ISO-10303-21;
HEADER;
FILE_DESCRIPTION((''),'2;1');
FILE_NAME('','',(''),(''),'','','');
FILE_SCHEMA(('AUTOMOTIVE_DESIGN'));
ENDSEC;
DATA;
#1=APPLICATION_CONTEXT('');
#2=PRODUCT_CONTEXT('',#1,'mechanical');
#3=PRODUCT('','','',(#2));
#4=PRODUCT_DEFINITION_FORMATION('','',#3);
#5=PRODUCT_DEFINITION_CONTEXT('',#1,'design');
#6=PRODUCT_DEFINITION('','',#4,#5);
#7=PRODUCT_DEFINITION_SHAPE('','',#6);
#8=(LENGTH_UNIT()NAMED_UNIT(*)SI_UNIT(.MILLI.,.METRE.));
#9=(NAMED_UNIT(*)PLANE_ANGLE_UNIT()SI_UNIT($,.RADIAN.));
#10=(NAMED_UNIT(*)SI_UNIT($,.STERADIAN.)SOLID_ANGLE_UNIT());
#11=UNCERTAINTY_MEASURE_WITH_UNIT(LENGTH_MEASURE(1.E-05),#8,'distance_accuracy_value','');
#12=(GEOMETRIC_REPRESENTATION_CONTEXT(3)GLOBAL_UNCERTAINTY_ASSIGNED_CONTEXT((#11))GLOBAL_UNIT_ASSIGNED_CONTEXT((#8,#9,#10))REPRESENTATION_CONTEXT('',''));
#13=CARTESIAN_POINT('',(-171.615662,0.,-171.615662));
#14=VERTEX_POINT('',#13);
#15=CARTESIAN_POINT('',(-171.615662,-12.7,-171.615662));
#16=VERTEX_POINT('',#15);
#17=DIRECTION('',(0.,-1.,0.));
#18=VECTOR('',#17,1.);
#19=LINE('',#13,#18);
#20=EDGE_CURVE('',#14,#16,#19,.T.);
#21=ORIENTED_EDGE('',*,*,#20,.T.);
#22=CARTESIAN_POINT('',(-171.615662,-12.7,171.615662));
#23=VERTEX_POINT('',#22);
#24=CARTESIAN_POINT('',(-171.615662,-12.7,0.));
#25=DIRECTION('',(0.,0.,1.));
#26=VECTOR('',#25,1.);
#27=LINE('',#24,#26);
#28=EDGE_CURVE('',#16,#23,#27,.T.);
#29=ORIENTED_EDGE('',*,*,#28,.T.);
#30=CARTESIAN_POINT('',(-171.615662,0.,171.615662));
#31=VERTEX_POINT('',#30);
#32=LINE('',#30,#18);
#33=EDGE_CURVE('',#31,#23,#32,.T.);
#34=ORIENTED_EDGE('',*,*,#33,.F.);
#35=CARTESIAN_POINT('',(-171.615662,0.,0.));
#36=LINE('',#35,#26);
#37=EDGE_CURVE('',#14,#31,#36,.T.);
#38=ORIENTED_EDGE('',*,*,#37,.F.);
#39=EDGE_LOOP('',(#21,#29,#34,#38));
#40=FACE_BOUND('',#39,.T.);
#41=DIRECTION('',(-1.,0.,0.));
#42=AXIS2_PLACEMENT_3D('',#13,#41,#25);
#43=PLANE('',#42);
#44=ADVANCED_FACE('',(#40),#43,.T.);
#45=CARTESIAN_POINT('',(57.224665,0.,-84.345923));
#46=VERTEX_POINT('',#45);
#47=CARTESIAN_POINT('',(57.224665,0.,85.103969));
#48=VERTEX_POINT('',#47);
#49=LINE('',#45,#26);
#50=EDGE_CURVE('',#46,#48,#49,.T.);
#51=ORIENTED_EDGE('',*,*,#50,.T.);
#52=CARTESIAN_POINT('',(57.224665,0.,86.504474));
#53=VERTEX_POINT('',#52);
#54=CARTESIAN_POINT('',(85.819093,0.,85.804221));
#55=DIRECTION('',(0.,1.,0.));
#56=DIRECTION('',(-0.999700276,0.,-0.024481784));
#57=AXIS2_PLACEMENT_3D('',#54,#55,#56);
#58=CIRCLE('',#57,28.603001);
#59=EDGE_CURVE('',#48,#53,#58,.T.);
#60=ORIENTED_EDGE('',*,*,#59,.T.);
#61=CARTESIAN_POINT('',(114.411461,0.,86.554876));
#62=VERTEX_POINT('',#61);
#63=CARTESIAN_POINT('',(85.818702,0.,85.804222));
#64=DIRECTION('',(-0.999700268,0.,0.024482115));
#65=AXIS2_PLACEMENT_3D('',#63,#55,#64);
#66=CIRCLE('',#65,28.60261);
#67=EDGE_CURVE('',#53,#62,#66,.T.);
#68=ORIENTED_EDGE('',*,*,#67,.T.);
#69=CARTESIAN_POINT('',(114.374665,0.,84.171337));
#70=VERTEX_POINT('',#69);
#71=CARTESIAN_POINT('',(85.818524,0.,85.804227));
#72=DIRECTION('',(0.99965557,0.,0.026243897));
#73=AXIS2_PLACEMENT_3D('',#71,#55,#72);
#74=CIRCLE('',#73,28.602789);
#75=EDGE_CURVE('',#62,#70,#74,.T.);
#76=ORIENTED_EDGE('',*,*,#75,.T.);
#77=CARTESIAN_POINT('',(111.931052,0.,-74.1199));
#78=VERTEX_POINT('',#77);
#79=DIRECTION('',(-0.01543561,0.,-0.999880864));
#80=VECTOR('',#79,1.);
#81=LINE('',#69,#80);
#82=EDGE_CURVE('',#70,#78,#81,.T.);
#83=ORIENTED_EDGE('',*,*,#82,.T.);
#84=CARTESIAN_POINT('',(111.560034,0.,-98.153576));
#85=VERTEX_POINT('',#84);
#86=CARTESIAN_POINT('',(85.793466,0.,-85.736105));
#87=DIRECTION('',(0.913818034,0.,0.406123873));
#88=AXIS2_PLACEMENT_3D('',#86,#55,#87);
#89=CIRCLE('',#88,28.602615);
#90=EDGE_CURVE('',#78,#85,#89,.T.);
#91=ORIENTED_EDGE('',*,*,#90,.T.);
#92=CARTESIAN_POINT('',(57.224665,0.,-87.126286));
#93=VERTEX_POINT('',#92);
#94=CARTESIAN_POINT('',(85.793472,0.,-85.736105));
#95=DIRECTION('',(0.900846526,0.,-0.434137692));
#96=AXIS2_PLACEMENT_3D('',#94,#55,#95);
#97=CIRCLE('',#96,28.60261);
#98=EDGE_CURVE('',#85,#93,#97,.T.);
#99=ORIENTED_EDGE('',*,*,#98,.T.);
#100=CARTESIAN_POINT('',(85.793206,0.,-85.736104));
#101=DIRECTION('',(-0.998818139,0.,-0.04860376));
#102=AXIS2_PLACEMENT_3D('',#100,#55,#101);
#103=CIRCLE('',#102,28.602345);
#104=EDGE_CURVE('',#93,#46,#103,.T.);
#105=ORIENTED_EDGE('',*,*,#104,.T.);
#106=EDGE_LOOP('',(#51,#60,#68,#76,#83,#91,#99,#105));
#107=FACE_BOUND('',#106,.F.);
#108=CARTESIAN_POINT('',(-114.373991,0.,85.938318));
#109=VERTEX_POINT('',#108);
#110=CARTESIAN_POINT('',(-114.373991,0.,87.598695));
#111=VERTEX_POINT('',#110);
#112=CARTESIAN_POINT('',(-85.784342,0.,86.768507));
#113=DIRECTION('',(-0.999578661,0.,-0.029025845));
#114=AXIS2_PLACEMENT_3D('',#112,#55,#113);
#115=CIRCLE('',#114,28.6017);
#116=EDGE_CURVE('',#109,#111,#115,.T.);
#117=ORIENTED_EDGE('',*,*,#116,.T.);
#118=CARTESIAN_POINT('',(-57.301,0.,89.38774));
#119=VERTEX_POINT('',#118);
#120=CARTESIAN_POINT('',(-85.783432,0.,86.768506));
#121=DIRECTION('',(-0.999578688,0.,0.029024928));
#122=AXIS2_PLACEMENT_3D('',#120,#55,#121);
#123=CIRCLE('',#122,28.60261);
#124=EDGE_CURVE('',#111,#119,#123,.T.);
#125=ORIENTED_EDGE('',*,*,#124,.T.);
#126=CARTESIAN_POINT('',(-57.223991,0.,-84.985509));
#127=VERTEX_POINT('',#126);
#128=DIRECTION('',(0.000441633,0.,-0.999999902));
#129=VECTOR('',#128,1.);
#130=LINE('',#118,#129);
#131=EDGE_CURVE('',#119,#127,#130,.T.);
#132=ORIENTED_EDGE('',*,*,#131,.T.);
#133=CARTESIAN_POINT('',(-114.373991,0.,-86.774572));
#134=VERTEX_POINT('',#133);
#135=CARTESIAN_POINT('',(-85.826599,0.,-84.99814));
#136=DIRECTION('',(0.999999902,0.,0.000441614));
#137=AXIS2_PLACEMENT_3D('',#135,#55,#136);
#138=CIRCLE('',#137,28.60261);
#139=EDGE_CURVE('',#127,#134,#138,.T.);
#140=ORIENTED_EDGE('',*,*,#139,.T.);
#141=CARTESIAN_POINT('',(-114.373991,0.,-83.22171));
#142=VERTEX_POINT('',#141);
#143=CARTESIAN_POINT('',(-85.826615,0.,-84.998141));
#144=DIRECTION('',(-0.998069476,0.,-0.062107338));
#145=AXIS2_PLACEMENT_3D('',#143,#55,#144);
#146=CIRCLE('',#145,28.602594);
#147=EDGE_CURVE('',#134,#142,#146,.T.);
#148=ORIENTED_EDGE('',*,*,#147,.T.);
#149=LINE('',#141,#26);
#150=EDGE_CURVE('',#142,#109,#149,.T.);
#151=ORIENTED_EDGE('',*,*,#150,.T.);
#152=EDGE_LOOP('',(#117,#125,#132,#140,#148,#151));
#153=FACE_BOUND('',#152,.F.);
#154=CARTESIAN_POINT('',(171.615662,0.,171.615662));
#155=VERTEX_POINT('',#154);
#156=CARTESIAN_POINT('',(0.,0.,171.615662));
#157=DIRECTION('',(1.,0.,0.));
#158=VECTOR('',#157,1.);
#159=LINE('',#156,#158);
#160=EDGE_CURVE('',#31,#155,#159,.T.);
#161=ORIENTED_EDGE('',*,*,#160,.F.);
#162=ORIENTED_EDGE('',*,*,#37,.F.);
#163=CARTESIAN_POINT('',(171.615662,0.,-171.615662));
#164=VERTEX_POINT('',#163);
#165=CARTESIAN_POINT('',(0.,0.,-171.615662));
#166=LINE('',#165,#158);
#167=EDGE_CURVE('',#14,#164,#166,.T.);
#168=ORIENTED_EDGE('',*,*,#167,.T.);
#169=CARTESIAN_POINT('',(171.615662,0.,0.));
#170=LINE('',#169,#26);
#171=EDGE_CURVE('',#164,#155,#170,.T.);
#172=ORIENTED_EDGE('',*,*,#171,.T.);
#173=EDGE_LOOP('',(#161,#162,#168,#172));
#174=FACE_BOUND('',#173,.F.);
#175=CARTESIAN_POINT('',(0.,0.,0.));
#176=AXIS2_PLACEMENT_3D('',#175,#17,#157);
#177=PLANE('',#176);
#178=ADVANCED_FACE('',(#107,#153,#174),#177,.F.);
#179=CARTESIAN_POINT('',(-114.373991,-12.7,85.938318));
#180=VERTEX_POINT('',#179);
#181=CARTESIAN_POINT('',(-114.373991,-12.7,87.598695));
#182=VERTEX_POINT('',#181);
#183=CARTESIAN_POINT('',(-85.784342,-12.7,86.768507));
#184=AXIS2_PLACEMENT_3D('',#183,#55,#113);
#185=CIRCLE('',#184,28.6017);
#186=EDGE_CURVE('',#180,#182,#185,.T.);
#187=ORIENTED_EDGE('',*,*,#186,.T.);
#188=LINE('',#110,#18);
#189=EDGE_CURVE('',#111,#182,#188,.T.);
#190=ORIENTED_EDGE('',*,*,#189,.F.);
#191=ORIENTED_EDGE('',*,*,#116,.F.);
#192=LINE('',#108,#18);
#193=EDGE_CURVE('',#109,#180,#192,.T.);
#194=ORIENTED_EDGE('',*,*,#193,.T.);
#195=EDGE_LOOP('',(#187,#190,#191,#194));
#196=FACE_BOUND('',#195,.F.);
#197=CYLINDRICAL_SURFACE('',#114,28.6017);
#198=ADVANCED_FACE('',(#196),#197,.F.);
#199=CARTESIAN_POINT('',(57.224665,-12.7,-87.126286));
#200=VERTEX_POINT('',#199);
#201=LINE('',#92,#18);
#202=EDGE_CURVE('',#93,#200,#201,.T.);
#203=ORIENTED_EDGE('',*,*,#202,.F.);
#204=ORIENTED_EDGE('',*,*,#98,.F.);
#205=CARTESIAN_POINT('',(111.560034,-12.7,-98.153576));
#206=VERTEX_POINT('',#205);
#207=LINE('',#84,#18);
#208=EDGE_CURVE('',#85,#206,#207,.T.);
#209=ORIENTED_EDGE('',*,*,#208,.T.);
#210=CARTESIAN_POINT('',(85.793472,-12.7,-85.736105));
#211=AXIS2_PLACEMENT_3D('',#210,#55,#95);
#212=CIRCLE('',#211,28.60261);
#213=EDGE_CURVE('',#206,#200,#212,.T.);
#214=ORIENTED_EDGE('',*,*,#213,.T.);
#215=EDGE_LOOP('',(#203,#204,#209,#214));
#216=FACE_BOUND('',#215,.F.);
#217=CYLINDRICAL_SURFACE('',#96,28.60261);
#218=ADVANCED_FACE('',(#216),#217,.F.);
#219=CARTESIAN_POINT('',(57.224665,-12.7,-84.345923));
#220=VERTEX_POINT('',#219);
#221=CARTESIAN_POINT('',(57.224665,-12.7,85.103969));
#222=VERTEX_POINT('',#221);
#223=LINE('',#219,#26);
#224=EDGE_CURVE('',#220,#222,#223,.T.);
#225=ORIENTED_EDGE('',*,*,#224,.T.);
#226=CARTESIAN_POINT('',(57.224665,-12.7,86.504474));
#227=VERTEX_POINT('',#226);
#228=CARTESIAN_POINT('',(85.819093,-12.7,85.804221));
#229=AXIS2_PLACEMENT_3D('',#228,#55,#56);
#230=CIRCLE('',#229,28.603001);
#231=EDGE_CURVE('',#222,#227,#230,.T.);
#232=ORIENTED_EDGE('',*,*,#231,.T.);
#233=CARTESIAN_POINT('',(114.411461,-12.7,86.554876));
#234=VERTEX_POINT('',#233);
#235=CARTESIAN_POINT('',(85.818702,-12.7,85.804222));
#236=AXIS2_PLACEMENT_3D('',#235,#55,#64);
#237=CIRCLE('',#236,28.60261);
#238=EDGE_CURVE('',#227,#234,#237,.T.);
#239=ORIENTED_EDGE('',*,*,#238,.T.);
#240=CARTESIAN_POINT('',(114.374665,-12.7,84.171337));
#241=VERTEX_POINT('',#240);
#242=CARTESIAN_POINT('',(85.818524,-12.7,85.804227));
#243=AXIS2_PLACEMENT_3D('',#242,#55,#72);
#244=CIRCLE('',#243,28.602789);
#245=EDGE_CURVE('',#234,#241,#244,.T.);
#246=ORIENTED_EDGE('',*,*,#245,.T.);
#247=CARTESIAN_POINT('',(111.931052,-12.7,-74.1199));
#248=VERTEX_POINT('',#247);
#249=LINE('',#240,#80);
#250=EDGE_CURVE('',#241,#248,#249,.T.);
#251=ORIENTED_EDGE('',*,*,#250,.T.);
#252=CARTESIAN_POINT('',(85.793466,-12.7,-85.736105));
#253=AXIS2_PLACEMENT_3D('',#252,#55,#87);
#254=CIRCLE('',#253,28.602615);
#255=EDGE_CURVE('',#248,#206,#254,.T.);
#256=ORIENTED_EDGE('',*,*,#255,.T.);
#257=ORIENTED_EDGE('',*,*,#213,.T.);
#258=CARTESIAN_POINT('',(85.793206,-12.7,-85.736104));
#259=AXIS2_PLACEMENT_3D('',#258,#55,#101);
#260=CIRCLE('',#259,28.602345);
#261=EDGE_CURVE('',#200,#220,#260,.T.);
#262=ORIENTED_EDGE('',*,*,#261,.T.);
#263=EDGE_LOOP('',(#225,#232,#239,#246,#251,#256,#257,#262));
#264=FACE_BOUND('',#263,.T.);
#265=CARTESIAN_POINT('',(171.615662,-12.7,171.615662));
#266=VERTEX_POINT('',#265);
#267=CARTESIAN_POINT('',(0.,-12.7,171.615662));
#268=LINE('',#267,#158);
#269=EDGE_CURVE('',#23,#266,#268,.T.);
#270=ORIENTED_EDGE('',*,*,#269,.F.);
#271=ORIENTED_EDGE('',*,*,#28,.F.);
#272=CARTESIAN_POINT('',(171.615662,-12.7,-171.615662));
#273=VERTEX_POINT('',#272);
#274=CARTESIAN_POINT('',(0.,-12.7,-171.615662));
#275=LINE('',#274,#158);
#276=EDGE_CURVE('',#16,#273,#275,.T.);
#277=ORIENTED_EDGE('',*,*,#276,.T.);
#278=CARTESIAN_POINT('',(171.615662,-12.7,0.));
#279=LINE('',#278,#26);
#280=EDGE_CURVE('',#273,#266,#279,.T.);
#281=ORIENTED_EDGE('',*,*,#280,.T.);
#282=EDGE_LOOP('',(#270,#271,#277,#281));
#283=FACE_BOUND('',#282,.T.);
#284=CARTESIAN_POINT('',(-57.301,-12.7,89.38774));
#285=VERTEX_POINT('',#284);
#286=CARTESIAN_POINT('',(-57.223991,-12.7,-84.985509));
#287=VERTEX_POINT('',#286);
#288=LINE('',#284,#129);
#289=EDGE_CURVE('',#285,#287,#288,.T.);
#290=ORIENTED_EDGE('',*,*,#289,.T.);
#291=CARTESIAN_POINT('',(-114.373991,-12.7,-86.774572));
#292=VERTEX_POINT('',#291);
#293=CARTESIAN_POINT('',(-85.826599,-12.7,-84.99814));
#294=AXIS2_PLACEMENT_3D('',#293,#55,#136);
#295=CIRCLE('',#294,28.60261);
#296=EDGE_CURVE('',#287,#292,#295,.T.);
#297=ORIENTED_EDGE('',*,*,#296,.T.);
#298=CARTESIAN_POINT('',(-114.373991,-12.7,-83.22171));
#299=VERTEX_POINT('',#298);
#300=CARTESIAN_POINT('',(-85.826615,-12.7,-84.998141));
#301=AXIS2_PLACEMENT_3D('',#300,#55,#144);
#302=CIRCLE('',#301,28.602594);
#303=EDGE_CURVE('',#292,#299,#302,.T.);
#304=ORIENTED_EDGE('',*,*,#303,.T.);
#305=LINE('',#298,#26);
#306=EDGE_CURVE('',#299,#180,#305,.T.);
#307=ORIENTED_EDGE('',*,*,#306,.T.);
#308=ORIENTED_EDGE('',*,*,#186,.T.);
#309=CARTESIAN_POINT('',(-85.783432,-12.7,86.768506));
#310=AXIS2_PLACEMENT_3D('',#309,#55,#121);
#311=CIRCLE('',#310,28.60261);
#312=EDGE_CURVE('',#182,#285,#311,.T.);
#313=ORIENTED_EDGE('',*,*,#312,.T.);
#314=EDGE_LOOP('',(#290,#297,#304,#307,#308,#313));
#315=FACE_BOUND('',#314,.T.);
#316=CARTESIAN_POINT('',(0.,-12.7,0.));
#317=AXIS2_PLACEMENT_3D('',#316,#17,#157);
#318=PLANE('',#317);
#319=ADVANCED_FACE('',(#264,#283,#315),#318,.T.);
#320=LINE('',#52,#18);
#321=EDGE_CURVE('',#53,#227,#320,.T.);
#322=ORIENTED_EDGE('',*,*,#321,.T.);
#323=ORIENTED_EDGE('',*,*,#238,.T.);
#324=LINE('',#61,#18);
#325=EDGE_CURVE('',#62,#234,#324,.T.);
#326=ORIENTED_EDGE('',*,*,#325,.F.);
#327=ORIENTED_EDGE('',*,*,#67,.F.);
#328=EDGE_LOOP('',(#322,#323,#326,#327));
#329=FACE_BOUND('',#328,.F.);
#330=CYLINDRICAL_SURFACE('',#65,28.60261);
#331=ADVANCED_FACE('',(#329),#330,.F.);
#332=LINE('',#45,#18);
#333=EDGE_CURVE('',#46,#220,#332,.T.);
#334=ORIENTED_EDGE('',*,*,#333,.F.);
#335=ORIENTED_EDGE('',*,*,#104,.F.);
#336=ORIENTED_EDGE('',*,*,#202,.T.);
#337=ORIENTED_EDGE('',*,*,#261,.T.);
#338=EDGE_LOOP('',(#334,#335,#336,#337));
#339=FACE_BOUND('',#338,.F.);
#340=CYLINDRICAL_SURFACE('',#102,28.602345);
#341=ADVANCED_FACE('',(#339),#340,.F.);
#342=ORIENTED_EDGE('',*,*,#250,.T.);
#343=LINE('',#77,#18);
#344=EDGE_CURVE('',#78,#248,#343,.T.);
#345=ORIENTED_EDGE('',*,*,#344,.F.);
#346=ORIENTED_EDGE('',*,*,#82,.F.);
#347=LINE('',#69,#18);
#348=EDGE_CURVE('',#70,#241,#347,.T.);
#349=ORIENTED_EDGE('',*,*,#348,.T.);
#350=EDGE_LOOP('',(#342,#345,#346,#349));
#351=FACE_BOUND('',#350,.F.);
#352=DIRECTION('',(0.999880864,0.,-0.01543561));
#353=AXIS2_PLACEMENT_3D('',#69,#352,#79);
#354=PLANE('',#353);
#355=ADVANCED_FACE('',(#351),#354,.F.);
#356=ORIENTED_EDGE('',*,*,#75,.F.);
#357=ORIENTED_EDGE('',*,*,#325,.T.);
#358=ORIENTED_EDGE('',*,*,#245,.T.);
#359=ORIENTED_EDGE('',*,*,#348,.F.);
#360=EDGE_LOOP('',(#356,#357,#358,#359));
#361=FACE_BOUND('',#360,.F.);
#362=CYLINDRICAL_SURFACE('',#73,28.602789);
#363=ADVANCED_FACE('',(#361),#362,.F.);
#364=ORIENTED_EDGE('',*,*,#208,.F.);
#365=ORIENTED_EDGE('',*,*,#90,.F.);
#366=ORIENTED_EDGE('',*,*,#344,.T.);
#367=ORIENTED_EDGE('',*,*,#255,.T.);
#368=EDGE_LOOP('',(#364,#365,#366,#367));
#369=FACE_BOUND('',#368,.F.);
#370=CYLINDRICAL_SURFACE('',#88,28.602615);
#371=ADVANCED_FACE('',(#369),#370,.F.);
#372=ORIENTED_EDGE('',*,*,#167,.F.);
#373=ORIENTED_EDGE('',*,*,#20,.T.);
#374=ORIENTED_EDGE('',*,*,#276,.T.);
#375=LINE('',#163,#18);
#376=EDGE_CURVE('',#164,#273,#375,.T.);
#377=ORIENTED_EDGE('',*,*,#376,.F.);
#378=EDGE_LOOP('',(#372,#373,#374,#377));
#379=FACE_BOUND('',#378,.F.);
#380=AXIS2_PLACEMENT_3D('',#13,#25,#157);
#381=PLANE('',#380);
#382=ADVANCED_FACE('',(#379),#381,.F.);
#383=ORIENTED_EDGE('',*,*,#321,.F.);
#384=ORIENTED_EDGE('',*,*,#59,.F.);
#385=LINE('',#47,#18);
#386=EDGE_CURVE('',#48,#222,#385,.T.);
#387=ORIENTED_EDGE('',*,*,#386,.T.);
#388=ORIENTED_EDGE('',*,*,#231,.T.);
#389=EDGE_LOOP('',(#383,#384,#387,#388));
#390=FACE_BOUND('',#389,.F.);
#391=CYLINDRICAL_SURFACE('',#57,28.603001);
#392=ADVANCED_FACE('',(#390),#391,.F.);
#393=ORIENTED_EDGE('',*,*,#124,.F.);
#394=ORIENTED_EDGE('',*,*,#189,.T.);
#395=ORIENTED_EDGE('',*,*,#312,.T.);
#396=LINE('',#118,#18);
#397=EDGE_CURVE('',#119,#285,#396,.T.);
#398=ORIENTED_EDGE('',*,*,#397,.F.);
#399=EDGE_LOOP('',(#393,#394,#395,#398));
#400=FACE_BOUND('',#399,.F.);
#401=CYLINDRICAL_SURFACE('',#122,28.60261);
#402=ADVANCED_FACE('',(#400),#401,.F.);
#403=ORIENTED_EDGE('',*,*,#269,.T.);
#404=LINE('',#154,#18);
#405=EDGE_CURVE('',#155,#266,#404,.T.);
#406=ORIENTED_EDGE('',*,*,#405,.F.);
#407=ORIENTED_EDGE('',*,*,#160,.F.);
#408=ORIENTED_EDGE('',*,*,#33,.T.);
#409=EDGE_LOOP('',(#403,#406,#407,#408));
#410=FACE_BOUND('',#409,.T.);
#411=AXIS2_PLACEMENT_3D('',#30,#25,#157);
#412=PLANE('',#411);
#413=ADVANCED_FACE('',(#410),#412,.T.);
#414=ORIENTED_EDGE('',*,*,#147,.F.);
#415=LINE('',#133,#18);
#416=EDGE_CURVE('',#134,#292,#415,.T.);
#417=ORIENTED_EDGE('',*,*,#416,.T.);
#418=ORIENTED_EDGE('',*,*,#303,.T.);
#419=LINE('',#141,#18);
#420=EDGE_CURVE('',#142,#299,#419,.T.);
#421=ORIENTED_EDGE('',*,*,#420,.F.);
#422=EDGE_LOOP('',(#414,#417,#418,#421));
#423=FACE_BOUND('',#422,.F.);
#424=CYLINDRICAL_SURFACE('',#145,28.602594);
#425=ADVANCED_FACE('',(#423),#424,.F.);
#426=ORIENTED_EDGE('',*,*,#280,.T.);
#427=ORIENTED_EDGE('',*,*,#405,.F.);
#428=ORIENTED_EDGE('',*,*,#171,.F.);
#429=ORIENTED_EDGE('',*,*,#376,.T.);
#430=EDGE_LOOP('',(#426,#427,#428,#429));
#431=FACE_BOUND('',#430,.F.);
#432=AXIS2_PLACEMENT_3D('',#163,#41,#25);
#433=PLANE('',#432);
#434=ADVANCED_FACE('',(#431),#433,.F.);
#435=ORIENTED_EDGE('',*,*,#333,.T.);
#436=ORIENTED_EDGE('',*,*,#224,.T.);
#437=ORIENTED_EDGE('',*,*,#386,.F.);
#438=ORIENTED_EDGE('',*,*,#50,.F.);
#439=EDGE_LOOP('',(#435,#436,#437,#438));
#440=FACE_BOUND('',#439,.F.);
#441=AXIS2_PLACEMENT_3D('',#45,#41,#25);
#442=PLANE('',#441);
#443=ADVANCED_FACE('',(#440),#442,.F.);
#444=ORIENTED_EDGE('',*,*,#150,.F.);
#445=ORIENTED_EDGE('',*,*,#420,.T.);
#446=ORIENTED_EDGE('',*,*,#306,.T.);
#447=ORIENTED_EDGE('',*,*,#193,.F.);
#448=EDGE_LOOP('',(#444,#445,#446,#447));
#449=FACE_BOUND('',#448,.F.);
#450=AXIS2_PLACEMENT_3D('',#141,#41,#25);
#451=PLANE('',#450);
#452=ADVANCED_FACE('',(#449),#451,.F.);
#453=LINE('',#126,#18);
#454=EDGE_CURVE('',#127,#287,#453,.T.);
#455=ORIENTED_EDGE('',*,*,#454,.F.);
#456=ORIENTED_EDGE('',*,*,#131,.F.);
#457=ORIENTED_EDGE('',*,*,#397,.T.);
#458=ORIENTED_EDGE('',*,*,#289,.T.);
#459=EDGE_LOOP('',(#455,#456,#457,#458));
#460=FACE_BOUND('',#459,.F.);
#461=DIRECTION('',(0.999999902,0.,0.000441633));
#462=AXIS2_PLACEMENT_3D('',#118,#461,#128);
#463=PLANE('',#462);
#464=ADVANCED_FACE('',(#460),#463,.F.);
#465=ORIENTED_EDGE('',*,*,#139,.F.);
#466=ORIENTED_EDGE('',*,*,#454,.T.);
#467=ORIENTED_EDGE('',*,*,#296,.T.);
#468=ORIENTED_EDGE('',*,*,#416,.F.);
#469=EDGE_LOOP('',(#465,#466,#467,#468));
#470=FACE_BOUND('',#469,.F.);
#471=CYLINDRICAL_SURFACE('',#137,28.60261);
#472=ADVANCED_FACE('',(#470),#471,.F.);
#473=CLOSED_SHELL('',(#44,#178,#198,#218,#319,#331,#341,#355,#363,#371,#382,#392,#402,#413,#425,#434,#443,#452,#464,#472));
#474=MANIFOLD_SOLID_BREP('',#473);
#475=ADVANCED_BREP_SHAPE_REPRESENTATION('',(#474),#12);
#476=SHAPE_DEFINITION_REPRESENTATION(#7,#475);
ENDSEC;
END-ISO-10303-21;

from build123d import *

# Parameters (mm, degrees)
F0_W     = 343.231324
F0_H     = 343.231324
F1_DEPTH = 12.7


with BuildPart() as f1:
    # F0 (on Front) → F1 (new body)
    with BuildSketch(Plane.XZ):
        Rectangle(F0_W, F0_H)
        with BuildLine():
            ThreePointArc((-114.373991, 87.598695), (-86.679587, 115.357074), (-57.301, 89.38774))
            Line((-57.301, 89.38774), (-57.223991, -84.985509))
            ThreePointArc((-57.223991, -84.985509), (-84.931642, -113.586746), (-114.373991, -86.774572))
            ThreePointArc((-114.373991, -86.774572), (-114.429209, -84.998141), (-114.373991, -83.22171))
            Line((-114.373991, -83.22171), (-114.373991, 85.938318))
            ThreePointArc((-114.373991, 85.938318), (-114.386042, 86.768506), (-114.373991, 87.598695))
        make_face(mode=Mode.SUBTRACT)
        with BuildLine():
            ThreePointArc((114.411461, 86.554876), (114.417905, 85.362723), (114.374665, 84.171337))
            Line((114.374665, 84.171337), (111.931052, -74.1199))
            ThreePointArc((111.931052, -74.1199), (114.392674, -86.177603), (111.560034, -98.153576))
            ThreePointArc((111.560034, -98.153576), (80.104585, -113.767264), (57.224665, -87.126286))
            ThreePointArc((57.224665, -87.126286), (57.190861, -85.736104), (57.224665, -84.345923))
            Line((57.224665, -84.345923), (57.224665, 85.103969))
            ThreePointArc((57.224665, 85.103969), (57.216092, 85.804222), (57.224665, 86.504474))
            ThreePointArc((57.224665, 86.504474), (85.793493, 114.406821), (114.411461, 86.554876))
        make_face(mode=Mode.SUBTRACT)
    extrude(amount=F1_DEPTH)


solid = f1.part
